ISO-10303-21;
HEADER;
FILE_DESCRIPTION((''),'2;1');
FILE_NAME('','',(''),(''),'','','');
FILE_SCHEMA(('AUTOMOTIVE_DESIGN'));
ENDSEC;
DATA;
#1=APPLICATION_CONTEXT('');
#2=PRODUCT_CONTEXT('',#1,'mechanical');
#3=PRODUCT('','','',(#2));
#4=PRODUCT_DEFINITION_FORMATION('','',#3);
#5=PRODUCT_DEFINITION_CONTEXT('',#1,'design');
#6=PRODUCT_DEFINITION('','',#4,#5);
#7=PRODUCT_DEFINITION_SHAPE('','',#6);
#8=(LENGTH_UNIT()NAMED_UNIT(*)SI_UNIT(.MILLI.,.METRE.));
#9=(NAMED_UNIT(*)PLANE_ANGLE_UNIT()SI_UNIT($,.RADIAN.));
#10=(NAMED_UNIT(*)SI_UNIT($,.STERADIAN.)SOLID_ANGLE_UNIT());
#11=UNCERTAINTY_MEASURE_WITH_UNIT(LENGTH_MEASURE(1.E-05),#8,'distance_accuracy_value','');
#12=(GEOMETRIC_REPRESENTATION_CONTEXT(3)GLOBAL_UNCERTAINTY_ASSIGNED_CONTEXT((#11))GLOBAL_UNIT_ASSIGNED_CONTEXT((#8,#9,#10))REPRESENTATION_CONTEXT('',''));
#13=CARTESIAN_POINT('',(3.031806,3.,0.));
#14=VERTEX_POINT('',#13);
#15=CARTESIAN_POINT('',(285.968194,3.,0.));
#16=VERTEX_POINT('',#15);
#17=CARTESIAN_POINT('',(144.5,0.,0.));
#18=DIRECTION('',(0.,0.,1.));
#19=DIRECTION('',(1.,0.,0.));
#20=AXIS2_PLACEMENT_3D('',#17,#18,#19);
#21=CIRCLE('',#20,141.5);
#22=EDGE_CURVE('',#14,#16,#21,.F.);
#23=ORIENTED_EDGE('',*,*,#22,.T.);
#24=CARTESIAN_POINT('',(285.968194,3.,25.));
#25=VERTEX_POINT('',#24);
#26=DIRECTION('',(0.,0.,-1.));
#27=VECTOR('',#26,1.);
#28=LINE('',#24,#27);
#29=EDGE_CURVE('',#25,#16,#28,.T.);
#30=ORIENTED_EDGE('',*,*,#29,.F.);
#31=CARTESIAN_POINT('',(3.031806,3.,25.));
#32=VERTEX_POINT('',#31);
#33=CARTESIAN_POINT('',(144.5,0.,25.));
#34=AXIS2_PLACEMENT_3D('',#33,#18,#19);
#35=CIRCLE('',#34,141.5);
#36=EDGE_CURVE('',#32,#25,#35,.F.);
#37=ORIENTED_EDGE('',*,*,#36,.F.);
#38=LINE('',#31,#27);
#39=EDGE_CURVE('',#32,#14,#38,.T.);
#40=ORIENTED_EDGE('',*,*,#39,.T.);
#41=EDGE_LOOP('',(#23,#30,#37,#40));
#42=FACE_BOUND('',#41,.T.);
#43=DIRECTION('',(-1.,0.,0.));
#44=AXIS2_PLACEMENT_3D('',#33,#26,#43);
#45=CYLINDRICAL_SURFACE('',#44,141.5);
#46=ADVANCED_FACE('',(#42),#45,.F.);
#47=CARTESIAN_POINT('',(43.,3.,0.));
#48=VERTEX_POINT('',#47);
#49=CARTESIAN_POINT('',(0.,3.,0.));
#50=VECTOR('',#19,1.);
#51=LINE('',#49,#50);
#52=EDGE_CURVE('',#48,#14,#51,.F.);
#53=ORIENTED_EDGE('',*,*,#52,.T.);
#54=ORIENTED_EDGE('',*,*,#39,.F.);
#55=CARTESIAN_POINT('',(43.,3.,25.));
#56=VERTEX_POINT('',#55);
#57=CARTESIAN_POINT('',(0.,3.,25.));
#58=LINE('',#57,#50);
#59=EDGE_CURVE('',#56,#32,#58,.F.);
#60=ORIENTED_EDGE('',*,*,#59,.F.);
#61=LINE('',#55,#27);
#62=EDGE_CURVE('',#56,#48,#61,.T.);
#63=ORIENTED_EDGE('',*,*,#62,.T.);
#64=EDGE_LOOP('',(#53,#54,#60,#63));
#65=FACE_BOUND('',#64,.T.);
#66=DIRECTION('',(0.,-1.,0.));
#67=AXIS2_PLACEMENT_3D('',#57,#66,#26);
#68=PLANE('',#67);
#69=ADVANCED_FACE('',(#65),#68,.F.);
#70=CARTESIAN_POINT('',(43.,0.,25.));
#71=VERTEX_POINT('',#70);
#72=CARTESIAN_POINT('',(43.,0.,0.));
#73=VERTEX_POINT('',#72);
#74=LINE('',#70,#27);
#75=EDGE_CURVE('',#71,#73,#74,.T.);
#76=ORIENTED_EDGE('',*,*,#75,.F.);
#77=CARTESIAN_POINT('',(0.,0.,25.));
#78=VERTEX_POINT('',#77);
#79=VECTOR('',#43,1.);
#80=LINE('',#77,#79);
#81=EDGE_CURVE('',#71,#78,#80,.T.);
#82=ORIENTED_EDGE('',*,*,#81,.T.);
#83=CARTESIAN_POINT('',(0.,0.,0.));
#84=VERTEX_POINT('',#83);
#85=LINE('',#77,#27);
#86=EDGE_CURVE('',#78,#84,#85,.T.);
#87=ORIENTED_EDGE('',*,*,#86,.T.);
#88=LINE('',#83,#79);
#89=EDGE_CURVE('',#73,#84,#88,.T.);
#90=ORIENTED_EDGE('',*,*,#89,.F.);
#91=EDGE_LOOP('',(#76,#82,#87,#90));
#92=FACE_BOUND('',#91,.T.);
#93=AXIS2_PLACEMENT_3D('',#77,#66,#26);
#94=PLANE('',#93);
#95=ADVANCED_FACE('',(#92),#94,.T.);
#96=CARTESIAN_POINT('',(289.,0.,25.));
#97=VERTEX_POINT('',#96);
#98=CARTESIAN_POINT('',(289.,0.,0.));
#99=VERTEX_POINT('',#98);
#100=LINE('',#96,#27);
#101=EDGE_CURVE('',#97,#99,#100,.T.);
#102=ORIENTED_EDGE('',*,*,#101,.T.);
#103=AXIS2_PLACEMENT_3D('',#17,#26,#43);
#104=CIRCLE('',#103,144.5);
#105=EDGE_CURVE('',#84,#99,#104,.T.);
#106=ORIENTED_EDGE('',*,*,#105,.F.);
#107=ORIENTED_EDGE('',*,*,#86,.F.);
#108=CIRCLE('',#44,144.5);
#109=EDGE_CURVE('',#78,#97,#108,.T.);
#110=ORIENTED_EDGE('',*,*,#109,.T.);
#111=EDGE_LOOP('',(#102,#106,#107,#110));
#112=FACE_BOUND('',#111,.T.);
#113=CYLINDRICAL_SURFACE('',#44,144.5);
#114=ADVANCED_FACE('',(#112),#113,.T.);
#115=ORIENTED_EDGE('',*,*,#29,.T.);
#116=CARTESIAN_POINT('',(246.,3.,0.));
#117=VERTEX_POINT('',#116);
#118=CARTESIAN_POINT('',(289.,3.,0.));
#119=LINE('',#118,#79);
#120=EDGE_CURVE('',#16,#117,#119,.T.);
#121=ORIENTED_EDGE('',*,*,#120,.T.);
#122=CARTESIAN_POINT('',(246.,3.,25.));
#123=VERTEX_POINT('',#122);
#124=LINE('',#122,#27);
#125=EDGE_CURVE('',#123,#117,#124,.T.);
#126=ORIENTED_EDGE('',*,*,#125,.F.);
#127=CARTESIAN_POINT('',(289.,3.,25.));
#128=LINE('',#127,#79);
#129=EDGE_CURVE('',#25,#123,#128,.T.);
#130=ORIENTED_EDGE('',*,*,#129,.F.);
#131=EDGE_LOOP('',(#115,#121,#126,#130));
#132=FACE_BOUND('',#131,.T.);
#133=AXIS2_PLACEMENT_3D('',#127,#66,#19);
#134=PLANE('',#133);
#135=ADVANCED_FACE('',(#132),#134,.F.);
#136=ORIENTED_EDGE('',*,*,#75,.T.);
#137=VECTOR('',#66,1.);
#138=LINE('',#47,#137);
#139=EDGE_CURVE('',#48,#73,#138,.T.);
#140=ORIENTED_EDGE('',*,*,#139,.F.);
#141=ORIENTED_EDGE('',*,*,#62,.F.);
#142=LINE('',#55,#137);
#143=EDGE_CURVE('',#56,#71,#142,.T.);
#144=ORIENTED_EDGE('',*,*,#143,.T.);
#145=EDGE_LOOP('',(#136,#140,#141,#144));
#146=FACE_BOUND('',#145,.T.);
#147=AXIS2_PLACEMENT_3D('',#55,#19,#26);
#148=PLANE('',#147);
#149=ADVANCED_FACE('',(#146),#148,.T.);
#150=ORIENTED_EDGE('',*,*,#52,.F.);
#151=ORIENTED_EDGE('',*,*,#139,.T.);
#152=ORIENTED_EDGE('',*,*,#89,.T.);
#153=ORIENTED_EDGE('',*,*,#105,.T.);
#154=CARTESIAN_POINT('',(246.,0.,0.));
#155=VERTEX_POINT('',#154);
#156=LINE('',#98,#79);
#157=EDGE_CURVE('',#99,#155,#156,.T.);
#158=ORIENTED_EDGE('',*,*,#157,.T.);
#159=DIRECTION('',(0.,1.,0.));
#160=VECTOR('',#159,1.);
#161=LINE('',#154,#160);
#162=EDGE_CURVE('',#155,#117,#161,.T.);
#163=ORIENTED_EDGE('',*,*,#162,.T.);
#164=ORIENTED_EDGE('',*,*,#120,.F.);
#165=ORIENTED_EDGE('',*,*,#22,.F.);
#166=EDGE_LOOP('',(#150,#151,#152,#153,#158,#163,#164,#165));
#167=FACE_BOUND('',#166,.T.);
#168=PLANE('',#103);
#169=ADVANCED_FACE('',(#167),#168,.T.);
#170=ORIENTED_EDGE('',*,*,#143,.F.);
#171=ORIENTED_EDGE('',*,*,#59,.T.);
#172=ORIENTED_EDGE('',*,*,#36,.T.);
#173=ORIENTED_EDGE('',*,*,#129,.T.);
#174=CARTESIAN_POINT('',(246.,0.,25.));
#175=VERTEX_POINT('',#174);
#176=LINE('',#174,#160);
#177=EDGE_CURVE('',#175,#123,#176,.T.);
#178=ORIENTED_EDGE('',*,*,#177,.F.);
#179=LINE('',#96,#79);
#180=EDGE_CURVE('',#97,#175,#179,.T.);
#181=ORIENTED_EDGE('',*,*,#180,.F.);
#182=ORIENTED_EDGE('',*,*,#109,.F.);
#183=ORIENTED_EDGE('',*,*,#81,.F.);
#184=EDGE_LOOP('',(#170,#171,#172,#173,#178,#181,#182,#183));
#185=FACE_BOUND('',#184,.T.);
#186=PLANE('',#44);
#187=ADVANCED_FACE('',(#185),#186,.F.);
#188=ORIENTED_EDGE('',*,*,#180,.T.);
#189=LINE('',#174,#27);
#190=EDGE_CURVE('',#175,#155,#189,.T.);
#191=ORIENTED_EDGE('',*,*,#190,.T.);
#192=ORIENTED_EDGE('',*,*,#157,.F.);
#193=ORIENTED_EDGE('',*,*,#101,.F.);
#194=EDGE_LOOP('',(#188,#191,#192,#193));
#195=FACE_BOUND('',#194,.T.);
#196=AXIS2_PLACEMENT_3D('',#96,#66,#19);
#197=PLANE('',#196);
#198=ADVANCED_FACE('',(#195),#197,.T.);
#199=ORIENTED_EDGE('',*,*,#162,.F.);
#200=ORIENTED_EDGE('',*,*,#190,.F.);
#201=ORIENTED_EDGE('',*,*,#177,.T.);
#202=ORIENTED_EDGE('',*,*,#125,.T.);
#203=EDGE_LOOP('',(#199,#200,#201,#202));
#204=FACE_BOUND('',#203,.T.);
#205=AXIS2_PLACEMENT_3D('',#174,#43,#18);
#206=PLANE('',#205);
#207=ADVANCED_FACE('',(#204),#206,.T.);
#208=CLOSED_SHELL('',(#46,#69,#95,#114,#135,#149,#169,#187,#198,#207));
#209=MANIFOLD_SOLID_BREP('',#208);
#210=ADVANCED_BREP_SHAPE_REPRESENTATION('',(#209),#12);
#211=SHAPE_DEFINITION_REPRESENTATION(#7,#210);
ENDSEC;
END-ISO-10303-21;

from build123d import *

# Parameters (mm, degrees)
EXTRU_MINCE1_DEPTH = 25


with BuildPart() as part:
    # Esquisse1 → Extru.-Mince1 (new body)
    with BuildSketch(Plane.XY):
        with BuildLine():
            Line((246, 0), (289, 0))
            ThreePointArc((289, 0), (144.5, 144.5), (0, 0))
            Line((0, 0), (43, 0))
            Line((43, 0), (43, 3))
            Line((43, 3), (3.031805695, 3))
            ThreePointArc((3.031805695, 3), (144.5, 141.5), (285.968194305, 3))
            Line((285.968194305, 3), (246, 3))
            Line((246, 3), (246, 0))
        make_face()
    extrude(amount=EXTRU_MINCE1_DEPTH)


solid = part.part
